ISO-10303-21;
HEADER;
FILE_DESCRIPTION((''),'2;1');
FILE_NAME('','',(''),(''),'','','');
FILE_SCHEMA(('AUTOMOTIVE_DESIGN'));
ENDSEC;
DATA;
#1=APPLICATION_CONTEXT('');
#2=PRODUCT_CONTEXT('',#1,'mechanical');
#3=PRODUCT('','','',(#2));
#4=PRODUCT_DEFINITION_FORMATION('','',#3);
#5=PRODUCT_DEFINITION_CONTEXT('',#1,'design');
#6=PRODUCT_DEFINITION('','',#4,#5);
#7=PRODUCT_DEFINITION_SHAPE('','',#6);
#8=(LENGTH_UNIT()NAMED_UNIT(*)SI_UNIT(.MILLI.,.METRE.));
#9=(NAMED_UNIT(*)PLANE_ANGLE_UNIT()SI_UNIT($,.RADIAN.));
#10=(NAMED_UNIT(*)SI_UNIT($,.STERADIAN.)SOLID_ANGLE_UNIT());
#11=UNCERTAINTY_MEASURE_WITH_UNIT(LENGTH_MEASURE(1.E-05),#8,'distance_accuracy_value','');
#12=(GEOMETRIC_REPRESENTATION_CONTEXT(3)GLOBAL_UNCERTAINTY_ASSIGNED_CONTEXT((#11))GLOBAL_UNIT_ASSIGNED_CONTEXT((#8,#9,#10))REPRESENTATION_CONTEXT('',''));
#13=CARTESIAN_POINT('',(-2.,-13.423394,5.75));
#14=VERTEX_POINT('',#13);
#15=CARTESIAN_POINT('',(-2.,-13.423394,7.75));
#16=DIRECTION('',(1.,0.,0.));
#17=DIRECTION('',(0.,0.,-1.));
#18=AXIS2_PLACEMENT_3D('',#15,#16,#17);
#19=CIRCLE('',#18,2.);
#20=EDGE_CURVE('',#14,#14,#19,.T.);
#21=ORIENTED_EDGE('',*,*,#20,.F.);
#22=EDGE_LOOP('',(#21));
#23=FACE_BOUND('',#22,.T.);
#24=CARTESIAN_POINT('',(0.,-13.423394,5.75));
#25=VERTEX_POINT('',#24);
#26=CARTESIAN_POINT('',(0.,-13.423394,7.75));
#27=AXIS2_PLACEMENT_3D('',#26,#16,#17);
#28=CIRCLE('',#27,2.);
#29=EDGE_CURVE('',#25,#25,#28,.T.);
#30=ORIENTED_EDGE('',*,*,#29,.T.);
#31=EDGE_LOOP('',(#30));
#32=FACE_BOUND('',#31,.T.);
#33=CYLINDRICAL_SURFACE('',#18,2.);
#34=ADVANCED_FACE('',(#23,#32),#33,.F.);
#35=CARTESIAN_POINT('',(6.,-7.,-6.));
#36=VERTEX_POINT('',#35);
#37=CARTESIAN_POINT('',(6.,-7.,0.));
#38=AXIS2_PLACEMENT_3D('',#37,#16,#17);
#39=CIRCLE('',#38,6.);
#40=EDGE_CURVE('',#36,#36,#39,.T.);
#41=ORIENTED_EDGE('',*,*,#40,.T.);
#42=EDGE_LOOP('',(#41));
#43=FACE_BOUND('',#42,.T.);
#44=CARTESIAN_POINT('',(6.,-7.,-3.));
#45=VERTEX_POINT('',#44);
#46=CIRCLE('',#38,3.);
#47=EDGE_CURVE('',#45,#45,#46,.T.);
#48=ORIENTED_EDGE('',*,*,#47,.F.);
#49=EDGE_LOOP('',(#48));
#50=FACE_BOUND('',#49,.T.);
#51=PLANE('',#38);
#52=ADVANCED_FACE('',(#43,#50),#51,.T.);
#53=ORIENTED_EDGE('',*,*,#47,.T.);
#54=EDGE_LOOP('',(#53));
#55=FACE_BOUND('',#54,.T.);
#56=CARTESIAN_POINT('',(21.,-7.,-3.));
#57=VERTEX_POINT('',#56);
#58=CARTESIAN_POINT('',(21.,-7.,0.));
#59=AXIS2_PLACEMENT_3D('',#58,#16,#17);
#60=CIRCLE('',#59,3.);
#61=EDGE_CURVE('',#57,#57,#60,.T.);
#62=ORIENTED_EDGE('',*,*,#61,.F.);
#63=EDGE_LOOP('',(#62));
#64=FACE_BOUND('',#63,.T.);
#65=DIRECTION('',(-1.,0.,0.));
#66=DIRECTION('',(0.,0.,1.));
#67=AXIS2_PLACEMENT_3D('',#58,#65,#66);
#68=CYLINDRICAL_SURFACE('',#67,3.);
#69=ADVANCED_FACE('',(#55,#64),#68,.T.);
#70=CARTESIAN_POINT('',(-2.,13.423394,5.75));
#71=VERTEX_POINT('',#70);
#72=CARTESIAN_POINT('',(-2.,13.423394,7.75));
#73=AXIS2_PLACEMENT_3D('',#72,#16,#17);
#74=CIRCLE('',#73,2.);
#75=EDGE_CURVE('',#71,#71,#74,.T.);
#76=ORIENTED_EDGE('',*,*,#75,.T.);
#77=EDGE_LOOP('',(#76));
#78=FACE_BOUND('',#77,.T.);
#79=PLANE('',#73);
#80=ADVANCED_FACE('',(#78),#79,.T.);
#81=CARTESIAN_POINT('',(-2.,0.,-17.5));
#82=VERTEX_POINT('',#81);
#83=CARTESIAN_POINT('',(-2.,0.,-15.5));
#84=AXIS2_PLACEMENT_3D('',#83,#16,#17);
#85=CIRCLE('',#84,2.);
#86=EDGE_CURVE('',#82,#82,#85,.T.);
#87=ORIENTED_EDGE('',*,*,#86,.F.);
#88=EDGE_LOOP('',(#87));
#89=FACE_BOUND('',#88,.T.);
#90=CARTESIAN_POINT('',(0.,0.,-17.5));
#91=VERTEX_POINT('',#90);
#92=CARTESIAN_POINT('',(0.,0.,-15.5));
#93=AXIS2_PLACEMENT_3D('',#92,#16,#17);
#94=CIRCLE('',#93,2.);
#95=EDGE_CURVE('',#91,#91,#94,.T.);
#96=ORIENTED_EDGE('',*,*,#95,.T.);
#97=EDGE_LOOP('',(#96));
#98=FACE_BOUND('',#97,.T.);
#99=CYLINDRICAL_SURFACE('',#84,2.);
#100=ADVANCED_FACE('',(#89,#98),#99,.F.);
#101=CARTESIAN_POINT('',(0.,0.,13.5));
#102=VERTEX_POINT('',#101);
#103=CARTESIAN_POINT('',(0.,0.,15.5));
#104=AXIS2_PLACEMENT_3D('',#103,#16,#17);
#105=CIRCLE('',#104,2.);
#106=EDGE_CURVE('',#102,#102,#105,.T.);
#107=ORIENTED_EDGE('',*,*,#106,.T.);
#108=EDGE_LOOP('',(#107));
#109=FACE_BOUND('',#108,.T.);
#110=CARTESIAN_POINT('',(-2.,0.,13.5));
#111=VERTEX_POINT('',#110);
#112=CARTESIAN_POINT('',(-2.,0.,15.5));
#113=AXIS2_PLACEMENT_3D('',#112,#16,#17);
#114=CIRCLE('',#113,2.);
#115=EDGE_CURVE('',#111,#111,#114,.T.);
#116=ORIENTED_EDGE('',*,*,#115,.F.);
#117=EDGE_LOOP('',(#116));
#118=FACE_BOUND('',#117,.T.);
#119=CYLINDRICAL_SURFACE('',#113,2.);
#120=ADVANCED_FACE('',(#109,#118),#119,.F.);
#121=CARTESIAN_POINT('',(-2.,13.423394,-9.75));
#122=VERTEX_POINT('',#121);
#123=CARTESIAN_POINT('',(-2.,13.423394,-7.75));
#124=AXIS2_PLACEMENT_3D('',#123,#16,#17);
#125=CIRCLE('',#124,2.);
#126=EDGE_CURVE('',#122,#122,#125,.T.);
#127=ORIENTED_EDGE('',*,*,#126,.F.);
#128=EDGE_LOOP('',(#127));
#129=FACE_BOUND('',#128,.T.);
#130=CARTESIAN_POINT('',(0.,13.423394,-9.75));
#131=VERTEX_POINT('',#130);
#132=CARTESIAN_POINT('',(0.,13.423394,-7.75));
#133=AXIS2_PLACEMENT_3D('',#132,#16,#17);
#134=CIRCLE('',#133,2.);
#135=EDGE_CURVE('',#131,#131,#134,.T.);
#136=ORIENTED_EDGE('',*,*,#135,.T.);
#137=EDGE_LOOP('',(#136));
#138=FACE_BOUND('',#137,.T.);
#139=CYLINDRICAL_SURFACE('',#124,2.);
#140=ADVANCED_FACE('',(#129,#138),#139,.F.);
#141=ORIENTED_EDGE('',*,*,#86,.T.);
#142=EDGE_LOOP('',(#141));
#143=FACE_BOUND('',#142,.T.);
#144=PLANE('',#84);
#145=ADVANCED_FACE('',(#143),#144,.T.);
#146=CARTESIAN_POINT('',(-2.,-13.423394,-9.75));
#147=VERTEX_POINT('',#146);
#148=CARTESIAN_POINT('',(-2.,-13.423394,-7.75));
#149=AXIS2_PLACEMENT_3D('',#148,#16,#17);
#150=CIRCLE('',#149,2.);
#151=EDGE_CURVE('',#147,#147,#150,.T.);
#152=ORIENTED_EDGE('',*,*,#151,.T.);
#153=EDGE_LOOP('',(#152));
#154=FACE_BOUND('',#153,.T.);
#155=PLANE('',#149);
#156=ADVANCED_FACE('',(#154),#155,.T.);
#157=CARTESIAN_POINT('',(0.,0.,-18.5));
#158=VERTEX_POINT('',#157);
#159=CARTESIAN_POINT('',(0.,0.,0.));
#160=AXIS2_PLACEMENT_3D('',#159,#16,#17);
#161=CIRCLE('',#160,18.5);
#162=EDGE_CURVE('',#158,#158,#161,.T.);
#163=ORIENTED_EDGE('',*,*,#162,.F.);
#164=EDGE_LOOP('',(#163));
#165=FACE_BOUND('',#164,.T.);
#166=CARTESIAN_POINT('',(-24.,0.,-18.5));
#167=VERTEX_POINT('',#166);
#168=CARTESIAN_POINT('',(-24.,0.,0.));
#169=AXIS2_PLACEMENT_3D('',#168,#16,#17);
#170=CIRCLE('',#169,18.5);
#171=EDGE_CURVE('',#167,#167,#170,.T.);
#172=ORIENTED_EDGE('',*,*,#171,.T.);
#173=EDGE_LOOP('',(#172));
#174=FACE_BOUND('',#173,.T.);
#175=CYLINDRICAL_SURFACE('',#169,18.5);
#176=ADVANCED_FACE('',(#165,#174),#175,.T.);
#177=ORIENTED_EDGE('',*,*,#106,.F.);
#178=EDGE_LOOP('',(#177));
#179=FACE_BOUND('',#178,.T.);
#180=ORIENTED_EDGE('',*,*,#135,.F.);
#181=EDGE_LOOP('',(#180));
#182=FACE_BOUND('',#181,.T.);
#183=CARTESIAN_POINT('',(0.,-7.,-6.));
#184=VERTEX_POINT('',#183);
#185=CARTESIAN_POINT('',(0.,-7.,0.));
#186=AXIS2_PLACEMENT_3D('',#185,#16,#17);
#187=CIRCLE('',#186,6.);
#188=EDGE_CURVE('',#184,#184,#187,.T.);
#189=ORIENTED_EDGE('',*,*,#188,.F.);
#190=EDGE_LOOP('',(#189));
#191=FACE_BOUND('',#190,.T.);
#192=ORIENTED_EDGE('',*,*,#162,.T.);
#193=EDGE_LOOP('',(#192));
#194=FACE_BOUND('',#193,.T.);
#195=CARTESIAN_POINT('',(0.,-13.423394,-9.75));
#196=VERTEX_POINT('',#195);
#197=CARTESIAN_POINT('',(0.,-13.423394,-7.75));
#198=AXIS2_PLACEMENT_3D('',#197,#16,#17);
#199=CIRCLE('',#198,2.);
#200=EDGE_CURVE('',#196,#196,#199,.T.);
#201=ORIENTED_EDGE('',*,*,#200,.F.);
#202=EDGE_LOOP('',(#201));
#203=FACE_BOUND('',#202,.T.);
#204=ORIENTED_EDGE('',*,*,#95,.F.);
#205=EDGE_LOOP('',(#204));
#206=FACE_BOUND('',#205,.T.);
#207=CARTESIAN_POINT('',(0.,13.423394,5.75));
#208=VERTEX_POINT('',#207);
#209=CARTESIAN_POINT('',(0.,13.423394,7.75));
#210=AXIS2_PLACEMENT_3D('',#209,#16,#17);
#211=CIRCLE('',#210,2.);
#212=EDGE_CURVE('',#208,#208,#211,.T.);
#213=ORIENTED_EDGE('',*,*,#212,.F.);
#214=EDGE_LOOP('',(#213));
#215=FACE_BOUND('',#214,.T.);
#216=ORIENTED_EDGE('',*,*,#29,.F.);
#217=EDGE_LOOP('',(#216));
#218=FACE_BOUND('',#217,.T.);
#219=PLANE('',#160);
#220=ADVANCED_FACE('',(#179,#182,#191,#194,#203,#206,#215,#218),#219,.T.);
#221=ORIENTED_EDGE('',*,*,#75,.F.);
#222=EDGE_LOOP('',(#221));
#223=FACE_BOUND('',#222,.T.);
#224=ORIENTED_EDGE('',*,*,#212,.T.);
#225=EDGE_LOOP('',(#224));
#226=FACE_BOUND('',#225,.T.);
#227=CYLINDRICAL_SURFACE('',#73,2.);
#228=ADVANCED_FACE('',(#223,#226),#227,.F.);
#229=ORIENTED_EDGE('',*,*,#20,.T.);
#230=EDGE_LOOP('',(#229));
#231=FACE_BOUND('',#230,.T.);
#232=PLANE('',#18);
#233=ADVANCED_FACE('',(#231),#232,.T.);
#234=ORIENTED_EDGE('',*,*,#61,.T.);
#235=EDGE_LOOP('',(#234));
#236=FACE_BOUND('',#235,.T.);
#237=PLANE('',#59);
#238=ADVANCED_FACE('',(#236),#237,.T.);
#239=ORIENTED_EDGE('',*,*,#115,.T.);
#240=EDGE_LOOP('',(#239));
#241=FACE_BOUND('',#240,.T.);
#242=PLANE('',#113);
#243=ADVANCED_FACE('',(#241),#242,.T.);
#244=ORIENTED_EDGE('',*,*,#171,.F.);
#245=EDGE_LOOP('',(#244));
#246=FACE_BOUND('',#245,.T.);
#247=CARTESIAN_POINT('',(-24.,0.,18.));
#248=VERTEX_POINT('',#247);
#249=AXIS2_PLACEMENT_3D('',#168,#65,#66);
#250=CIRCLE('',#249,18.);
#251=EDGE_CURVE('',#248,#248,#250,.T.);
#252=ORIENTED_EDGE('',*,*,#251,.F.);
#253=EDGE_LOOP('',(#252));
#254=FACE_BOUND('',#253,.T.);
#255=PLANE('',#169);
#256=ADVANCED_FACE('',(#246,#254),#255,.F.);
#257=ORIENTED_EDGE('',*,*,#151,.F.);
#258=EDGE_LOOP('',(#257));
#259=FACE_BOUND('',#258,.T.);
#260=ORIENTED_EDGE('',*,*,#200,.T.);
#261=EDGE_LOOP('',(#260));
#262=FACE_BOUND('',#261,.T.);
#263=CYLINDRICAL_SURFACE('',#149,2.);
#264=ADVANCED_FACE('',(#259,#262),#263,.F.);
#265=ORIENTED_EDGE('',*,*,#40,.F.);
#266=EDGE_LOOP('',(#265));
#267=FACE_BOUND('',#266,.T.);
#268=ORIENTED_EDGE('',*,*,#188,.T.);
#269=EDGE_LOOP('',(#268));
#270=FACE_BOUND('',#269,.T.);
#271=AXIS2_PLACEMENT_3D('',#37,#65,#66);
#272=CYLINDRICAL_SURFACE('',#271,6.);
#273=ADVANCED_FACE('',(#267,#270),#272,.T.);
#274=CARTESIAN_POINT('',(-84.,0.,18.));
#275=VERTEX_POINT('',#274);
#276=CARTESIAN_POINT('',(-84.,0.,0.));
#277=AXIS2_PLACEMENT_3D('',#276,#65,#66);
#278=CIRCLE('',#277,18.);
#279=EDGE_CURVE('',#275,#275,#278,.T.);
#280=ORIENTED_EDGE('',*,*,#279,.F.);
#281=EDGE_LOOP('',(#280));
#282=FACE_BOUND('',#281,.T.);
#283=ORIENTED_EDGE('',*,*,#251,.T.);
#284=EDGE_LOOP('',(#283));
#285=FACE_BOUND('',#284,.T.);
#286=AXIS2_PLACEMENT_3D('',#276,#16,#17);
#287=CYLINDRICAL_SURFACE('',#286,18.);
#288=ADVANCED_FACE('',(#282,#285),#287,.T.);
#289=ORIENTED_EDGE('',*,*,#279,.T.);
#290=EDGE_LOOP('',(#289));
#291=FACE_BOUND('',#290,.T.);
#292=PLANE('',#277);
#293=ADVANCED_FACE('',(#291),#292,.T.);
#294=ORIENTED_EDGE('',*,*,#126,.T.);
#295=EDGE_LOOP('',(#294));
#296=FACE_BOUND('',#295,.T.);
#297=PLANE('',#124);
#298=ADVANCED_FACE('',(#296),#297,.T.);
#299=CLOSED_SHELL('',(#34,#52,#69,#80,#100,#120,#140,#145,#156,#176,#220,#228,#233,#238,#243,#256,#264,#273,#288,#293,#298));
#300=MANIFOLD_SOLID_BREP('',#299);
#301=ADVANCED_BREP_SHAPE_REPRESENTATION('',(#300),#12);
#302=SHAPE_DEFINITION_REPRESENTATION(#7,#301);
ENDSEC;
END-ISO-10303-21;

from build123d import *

# Parameters (mm, degrees)
SKETCH1_R           = 18.5
BOSS_EXTRUDE1_DEPTH = 24
SKETCH2_R           = 18
BOSS_EXTRUDE2_DEPTH = 60
SKETCH3_R           = 6
BOSS_EXTRUDE3_DEPTH = 6
SKETCH4_R           = 3
BOSS_EXTRUDE4_DEPTH = 15
SKETCH5_R           = 2
CUT_EXTRUDE1_DEPTH  = 2


with BuildPart() as part:
    # Sketch1 → Boss-Extrude1 (new body)
    with BuildSketch(Plane(origin=(0, 0, 0), x_dir=(0, 0, -1), z_dir=(1, 0, 0))):
        Circle(SKETCH1_R)
    extrude(amount=-BOSS_EXTRUDE1_DEPTH)

    # Sketch2 → Boss-Extrude2 (add)
    with BuildSketch(Plane.ZY.offset(24)):
        Circle(SKETCH2_R)
    extrude(amount=BOSS_EXTRUDE2_DEPTH)

    # Sketch3 → Boss-Extrude3 (add)
    with BuildSketch(Plane(origin=(0, 0, 0), x_dir=(0, 0, -1), z_dir=(1, 0, 0))):
        with Locations((0, -7)):
            Circle(SKETCH3_R)
    extrude(amount=BOSS_EXTRUDE3_DEPTH)

    # Sketch4 → Boss-Extrude4 (add)
    with BuildSketch(Plane(origin=(6, 0, 0), x_dir=(0, 0, -1), z_dir=(1, 0, 0))):
        with Locations((0, -7)):
            Circle(SKETCH4_R)
    extrude(amount=BOSS_EXTRUDE4_DEPTH)

    # Sketch5 → Cut-Extrude1 (cut)
    with BuildSketch(Plane(origin=(0, 0, 0), x_dir=(0, 0, -1), z_dir=(1, 0, 0))):
        with Locations((-15.5, 0)):
            Circle(SKETCH5_R)
        with Locations((-7.75, 13.423393759)):
            Circle(SKETCH5_R)
        with Locations((7.75, 13.423393759)):
            Circle(SKETCH5_R)
        with Locations((15.5, 0)):
            Circle(SKETCH5_R)
        with Locations((7.75, -13.423393759)):
            Circle(SKETCH5_R)
        with Locations((-7.75, -13.423393759)):
            Circle(SKETCH5_R)
    extrude(amount=-CUT_EXTRUDE1_DEPTH, mode=Mode.SUBTRACT)


solid = part.part
